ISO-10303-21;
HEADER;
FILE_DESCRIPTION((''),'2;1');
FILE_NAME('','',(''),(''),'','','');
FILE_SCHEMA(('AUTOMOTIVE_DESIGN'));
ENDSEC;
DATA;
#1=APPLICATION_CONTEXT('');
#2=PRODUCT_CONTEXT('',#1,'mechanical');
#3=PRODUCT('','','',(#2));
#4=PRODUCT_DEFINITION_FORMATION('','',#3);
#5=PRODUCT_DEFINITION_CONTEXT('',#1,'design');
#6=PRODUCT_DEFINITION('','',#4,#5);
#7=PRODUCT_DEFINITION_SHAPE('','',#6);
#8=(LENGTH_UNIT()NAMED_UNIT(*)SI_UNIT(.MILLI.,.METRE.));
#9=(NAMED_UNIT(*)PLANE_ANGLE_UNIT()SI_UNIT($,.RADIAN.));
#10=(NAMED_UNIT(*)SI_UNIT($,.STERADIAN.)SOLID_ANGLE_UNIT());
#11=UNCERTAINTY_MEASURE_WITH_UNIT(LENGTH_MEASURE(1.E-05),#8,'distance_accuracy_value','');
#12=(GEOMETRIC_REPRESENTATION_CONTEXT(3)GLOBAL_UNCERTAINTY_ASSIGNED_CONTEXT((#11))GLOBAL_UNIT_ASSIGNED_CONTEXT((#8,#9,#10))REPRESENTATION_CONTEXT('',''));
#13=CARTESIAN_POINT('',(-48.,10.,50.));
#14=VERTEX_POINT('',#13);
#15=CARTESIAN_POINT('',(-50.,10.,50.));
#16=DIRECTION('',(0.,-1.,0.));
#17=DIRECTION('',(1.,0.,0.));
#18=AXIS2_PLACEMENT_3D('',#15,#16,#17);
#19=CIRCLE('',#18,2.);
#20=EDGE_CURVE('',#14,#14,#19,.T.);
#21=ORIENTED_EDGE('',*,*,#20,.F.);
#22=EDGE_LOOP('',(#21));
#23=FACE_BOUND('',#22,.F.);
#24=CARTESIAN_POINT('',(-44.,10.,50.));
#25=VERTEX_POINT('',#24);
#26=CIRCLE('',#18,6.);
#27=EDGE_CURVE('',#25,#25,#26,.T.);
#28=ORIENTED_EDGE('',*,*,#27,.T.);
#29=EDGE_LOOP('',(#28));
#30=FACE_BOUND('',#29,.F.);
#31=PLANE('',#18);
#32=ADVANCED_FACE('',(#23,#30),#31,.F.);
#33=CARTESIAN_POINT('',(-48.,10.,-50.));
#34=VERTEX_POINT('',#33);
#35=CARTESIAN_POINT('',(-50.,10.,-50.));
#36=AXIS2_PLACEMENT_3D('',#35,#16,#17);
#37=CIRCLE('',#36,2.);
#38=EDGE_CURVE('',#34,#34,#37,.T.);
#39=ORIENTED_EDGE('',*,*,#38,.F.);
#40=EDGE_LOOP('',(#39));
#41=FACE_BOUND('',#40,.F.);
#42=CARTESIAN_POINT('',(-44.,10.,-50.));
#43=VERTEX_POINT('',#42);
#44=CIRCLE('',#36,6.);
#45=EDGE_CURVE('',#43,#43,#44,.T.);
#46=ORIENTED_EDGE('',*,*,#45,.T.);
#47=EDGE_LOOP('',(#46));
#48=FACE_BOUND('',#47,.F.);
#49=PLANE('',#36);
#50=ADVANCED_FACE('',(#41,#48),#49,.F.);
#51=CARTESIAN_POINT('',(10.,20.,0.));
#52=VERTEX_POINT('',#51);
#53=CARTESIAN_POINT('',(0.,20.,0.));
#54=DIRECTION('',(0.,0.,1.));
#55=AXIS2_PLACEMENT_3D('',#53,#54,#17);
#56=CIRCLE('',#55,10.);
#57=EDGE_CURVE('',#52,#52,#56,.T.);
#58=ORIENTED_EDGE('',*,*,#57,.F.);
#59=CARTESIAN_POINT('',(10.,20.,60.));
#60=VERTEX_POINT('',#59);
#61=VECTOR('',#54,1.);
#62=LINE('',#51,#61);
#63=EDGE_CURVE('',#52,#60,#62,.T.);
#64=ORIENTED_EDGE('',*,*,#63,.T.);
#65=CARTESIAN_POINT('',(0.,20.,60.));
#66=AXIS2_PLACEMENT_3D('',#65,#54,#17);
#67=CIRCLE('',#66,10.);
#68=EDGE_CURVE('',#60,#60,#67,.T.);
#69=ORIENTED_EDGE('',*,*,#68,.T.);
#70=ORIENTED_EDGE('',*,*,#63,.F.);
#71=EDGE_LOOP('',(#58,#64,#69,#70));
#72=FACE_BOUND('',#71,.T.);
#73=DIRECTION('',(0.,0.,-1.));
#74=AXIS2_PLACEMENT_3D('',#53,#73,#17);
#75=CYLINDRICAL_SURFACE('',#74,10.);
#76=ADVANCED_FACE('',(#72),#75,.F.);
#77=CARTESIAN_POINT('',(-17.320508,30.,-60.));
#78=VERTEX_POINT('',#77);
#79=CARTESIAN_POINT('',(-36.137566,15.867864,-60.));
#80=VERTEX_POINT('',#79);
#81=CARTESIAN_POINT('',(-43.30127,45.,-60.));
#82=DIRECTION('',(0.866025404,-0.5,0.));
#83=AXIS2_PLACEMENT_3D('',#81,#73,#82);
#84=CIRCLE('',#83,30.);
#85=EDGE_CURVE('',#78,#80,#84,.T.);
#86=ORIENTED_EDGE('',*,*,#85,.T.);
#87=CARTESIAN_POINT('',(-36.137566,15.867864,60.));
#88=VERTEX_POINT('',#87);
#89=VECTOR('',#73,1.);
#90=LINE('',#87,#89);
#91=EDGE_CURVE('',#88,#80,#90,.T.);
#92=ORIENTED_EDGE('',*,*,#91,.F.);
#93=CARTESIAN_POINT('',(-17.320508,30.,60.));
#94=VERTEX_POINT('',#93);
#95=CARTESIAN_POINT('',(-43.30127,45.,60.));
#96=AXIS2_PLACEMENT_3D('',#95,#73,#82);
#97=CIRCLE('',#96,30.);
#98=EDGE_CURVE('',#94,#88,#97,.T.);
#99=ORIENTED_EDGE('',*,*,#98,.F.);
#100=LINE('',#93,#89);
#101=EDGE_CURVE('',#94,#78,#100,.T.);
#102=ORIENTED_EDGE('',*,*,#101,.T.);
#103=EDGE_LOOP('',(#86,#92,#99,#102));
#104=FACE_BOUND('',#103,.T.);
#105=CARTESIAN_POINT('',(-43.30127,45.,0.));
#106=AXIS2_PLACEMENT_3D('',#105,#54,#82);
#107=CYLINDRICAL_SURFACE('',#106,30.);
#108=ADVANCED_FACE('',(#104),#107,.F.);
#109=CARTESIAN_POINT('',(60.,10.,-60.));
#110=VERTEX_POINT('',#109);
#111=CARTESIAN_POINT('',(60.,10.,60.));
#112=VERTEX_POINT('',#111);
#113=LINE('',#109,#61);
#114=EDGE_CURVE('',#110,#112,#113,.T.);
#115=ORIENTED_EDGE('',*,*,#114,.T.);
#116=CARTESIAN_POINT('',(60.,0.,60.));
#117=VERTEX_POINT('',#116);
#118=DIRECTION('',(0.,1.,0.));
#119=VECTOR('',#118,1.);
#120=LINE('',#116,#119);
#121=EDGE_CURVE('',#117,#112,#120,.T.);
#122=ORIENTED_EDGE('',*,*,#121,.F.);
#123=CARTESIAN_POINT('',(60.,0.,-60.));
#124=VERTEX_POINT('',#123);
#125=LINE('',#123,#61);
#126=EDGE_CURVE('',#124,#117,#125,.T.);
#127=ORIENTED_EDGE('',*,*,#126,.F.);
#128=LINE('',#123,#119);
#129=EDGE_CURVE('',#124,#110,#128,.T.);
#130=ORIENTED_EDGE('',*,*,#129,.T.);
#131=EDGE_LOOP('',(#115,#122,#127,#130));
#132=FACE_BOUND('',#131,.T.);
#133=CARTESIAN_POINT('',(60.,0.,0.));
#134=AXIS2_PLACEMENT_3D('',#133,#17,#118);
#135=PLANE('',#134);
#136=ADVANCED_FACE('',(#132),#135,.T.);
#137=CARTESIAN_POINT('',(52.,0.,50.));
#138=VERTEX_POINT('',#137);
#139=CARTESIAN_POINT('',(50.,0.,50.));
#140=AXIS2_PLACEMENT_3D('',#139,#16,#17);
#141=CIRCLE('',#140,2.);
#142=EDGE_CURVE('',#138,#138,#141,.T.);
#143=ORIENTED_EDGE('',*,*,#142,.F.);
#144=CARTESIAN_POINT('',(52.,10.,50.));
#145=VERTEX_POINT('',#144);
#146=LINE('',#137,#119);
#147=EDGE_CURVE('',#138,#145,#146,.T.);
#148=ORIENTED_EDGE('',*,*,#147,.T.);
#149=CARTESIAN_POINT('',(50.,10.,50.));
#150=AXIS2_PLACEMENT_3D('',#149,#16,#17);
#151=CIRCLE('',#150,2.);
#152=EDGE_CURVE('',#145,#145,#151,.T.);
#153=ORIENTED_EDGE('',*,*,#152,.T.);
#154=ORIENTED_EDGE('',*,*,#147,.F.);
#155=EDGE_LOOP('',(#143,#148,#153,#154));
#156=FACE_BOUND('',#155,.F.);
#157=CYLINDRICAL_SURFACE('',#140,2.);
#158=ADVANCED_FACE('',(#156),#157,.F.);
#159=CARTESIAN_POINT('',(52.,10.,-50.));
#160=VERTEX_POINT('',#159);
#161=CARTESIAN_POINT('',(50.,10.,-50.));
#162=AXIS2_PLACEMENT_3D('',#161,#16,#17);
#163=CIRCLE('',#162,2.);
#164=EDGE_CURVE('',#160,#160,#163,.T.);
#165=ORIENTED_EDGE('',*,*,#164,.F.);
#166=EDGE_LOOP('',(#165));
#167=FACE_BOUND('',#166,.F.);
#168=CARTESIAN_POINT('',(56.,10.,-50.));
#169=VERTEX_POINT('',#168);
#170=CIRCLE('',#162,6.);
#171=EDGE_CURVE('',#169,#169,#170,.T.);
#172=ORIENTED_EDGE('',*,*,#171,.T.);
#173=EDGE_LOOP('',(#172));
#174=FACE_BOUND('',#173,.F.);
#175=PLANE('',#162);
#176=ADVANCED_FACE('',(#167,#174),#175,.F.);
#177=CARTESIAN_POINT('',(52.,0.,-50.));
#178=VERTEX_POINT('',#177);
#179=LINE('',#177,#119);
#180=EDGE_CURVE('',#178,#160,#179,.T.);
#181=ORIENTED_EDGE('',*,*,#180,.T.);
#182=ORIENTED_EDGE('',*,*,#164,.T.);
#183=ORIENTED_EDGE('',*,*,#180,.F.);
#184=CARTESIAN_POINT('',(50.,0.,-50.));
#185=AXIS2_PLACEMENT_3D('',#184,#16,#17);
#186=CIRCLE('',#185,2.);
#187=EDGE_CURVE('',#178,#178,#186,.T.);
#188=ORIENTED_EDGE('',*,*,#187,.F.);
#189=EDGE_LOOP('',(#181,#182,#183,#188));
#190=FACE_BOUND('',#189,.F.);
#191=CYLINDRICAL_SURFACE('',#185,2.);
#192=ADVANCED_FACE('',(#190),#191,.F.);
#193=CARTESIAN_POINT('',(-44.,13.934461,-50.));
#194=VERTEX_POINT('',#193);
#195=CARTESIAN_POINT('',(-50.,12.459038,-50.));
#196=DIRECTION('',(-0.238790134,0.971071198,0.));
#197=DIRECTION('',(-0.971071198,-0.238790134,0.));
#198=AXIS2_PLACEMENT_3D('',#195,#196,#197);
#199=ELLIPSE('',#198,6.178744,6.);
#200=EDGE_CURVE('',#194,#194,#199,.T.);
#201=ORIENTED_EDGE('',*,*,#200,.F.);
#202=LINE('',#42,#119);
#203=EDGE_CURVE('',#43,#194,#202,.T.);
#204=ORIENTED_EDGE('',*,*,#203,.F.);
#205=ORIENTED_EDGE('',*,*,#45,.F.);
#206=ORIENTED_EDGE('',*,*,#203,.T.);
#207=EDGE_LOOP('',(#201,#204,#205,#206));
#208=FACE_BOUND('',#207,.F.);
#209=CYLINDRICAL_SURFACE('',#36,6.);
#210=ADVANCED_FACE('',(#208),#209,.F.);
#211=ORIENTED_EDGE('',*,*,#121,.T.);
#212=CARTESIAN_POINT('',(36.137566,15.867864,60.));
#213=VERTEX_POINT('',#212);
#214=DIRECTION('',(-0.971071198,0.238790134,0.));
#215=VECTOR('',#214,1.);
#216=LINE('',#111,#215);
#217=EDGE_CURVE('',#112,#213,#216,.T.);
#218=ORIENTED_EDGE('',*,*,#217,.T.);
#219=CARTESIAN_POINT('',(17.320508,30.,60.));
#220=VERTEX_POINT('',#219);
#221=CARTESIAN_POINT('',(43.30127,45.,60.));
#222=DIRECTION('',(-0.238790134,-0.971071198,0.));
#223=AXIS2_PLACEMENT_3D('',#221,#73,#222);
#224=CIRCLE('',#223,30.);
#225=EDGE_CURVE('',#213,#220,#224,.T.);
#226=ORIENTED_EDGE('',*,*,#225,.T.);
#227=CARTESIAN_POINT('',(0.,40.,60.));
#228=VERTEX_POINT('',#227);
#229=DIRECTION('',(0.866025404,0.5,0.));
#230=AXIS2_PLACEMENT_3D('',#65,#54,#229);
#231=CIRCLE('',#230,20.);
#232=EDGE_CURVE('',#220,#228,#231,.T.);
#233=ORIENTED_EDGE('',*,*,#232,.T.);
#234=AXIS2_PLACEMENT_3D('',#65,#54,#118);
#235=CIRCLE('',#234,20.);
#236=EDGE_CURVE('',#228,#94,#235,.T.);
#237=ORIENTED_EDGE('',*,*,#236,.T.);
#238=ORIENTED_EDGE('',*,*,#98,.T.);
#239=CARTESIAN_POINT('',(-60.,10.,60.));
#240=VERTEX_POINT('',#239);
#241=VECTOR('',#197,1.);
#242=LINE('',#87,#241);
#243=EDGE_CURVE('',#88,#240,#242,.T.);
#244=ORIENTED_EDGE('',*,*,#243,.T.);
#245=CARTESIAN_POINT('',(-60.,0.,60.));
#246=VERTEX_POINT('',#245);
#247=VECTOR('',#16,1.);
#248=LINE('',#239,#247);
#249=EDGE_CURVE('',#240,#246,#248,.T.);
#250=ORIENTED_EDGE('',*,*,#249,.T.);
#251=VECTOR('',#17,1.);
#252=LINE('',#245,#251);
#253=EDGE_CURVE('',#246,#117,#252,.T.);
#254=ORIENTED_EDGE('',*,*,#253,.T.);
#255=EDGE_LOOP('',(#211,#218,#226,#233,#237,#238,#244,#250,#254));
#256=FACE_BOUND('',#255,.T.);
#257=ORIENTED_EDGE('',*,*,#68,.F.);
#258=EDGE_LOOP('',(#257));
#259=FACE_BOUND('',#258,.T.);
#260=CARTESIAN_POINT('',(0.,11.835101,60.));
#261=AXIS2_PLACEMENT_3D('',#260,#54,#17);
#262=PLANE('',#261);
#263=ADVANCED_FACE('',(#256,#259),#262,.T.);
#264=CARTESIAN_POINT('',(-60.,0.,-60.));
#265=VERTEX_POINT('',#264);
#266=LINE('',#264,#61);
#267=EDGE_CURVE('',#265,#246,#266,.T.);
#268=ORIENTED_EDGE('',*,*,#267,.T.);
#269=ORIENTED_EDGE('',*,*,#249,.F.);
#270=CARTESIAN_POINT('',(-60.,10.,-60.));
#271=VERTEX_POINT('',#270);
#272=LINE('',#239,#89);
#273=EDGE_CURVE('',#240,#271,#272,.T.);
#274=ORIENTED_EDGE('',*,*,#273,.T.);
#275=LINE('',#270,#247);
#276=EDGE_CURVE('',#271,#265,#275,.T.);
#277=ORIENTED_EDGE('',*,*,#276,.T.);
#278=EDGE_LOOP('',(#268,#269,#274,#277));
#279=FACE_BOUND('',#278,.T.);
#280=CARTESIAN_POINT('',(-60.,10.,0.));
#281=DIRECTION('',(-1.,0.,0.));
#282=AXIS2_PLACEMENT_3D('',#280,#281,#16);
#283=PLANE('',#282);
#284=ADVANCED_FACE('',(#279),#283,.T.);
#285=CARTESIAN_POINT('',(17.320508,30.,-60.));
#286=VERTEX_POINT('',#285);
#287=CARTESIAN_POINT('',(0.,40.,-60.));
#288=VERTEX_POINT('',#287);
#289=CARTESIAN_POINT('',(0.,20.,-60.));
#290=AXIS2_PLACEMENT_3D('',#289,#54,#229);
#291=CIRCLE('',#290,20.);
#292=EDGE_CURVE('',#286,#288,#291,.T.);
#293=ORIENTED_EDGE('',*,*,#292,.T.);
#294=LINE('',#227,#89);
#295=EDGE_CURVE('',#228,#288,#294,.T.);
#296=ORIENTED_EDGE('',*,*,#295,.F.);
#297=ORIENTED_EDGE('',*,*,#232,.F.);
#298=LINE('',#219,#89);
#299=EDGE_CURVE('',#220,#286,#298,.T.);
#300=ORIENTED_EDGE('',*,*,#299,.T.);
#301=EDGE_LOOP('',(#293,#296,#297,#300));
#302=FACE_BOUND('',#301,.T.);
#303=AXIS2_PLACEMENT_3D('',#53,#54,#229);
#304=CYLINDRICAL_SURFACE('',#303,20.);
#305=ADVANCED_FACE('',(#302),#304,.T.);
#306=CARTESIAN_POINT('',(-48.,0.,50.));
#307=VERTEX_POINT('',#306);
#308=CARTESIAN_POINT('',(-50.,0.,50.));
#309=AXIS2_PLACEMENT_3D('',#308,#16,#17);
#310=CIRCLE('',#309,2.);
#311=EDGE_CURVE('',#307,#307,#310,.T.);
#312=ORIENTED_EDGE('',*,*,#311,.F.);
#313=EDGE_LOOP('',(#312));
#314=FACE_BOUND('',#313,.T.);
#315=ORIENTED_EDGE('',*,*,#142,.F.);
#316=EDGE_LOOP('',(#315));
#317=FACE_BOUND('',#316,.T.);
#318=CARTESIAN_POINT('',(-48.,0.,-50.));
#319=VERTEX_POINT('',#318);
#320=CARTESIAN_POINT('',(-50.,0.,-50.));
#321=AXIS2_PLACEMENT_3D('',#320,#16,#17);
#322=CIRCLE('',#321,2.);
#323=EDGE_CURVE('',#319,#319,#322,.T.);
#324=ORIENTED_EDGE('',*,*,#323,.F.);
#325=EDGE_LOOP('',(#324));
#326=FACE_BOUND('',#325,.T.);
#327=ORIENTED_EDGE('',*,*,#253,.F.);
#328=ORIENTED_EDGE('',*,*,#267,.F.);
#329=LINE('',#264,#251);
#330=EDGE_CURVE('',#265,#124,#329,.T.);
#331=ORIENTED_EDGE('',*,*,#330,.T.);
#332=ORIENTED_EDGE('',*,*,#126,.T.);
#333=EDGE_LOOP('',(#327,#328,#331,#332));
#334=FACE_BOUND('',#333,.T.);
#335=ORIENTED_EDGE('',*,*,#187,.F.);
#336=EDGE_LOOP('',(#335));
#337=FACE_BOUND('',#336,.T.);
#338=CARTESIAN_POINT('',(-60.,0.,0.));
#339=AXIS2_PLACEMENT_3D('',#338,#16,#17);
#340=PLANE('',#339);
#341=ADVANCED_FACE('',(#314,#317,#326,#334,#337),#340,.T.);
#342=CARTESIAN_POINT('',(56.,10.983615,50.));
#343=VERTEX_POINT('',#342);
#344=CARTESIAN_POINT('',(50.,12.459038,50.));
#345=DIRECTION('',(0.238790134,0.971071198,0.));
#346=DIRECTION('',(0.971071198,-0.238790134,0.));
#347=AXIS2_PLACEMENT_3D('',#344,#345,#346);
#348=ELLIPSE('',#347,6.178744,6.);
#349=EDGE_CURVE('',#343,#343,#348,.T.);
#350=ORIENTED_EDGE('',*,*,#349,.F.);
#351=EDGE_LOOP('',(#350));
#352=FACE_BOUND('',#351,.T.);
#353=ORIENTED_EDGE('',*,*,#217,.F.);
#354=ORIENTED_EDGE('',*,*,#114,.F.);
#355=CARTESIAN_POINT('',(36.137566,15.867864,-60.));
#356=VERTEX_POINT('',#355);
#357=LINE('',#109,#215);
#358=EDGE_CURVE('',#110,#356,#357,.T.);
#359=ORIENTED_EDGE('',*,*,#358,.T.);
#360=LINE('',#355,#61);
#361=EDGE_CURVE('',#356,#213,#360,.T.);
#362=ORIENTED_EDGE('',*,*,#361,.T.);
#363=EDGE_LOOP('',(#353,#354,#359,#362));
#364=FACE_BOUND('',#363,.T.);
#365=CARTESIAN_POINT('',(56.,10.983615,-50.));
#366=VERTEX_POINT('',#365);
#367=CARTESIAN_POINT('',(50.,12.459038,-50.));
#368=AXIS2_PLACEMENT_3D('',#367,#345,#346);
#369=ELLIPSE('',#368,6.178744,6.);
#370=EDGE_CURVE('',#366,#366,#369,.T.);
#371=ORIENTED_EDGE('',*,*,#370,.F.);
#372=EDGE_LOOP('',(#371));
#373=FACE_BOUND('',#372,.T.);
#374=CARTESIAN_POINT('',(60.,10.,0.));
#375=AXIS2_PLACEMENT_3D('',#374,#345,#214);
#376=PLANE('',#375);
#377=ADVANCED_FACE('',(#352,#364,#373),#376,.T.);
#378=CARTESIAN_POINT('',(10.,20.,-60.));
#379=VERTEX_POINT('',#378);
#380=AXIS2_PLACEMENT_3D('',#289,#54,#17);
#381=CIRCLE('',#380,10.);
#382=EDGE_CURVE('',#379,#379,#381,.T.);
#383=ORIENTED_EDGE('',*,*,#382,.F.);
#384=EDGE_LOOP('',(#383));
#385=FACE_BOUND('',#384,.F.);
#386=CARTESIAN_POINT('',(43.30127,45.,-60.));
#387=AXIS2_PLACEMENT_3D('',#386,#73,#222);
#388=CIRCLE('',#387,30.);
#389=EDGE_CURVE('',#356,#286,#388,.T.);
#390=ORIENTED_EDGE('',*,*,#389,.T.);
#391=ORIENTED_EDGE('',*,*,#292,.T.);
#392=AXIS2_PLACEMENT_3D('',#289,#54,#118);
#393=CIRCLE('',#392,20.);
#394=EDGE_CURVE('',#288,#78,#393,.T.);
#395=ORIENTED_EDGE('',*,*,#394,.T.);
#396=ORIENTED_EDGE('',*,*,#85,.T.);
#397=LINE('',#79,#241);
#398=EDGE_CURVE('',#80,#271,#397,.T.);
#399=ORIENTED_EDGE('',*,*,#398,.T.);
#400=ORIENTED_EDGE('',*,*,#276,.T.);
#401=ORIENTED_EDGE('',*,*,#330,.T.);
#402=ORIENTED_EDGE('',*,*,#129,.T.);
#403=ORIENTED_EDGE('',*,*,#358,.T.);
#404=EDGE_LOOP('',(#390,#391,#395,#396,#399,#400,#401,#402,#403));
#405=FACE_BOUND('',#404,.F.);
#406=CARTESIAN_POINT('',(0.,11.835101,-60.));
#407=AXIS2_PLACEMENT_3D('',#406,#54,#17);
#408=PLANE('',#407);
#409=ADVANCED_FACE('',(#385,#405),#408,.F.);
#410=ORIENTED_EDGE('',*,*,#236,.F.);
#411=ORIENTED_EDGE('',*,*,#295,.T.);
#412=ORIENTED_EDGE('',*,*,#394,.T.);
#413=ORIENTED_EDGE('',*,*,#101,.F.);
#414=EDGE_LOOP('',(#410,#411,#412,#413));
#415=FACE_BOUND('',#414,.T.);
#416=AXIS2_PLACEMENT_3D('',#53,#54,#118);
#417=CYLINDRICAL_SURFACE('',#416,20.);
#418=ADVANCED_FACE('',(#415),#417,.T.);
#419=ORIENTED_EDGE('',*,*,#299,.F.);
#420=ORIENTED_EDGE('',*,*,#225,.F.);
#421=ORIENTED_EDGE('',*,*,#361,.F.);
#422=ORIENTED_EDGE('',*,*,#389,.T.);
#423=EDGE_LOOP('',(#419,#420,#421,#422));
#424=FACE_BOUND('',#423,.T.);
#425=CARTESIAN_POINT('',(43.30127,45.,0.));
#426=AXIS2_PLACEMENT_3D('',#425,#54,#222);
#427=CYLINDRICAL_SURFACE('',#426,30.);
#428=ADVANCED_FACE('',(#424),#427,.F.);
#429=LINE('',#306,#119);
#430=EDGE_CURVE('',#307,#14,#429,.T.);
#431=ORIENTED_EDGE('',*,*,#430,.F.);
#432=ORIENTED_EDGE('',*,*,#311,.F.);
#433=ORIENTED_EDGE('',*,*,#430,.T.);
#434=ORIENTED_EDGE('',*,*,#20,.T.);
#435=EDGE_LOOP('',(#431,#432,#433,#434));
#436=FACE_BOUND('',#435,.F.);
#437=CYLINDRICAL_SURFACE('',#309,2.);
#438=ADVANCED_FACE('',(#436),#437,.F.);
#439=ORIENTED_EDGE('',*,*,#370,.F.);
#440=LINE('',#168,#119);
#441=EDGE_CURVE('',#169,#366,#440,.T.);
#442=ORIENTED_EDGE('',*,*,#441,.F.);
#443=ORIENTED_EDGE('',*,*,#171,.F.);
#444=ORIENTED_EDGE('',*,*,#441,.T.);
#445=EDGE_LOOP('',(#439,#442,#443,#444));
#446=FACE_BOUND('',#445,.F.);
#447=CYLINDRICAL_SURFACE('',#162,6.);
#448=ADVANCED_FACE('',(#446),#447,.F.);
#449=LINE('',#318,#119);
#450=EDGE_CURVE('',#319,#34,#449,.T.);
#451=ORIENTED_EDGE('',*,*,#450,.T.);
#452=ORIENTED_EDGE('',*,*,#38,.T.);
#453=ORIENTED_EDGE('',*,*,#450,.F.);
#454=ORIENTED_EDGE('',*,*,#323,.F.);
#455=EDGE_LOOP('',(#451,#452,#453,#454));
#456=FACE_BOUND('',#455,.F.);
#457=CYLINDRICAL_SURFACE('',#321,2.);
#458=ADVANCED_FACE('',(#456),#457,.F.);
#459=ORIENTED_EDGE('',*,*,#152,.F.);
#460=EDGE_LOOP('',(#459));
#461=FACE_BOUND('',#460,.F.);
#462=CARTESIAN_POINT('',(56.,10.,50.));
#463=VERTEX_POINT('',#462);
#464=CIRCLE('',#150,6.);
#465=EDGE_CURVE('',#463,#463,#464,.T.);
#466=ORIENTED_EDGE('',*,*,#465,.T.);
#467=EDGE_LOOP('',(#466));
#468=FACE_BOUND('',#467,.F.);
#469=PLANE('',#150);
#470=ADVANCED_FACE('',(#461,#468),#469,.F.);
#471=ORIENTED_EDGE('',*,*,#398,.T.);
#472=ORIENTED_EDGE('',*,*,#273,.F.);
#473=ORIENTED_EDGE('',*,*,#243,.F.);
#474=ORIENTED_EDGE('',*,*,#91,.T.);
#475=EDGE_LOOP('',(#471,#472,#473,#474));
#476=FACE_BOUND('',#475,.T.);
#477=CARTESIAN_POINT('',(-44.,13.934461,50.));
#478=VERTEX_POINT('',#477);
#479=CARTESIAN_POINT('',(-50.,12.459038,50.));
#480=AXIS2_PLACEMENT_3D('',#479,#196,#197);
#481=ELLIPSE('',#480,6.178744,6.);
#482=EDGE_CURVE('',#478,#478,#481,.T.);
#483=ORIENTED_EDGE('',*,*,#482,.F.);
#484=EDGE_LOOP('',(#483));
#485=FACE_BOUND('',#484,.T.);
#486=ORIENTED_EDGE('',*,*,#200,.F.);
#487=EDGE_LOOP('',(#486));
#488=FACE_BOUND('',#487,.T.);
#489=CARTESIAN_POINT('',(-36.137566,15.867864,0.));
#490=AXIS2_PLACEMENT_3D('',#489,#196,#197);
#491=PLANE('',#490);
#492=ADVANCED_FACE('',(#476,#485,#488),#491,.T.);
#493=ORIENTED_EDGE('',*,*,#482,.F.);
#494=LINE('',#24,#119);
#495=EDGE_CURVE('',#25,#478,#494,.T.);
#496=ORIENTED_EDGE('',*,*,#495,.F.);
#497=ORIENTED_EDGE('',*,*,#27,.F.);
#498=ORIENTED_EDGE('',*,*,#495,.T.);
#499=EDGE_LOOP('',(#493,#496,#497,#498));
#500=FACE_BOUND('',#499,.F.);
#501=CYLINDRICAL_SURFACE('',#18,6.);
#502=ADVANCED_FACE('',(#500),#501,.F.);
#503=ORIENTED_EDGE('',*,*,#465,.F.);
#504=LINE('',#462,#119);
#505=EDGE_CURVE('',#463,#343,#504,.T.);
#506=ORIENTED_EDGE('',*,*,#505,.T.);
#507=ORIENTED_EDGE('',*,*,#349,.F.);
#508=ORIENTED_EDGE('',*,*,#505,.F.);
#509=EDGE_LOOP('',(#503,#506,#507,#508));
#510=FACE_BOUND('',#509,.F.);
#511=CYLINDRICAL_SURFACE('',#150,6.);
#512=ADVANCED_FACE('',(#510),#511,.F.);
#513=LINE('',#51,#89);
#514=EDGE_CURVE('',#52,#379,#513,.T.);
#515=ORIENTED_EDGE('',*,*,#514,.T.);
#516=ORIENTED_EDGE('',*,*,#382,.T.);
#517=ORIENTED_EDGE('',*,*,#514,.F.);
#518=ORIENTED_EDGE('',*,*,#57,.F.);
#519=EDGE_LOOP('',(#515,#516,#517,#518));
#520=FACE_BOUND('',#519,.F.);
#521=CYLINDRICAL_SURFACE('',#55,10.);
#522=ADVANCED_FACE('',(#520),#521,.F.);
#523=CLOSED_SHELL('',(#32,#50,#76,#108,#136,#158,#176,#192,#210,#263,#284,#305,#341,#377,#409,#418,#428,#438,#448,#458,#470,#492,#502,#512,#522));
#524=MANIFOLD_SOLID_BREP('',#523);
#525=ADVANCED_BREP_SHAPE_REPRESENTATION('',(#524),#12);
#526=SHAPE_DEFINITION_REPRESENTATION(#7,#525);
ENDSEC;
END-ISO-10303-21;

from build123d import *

# Parameters (mm, degrees)
F0_R          = 10
F1_DEPTH      = 60
F1_DEPTH_BACK = 60
F2_R          = 2
F3_DEPTH      = 25
F5_START      = -10
F4_R          = 6
F5_DEPTH      = 15


with BuildPart() as f1:
    # F0 (on Top) → F1 (new body, two sides)
    with BuildSketch(Plane.XY) as f1_sk:
        with BuildLine():
            Line((-60, 10), (-60, 0))
            Line((-60, 0), (0, 0))
            Line((0, 0), (60, 0))
            Line((60, 0), (60, 10))
            Line((60, 10), (36.1375661614, 15.867864057))
            ThreePointArc((36.1375661614, 15.867864057), (25.2854930612, 21.0118409528), (17.3205080757, 30))
            ThreePointArc((17.3205080757, 30), (10, 37.3205080757), (0, 40))
            ThreePointArc((0, 40), (-10, 37.3205080757), (-17.3205080757, 30))
            ThreePointArc((-17.3205080757, 30), (-25.2854930612, 21.0118409528), (-36.1375661614, 15.867864057))
            Line((-36.1375661614, 15.867864057), (-60, 10))
        make_face()
        with Locations((0, 20)):
            Circle(F0_R, mode=Mode.SUBTRACT)
    extrude(amount=F1_DEPTH)
    extrude(f1_sk.sketch, amount=-F1_DEPTH_BACK)

    # F2 (on face) → F3 (cut)
    with BuildSketch(Plane.XZ):
        with Locations((-50, 50)):
            Circle(F2_R)
        with Locations((50, 50)):
            Circle(F2_R)
        with Locations((-50, -50)):
            Circle(F2_R)
        with Locations((50, -50)):
            Circle(F2_R)
    extrude(amount=-F3_DEPTH, mode=Mode.SUBTRACT)

    # F4 (on face) → F5 (cut)
    with BuildSketch(Plane.XZ.offset(F5_START)):
        with Locations((-50, 50)):
            Circle(F4_R)
        with Locations((50, -50)):
            Circle(F4_R)
        with Locations((-50, -50)):
            Circle(F4_R)
        with Locations((50, 50)):
            Circle(F4_R)
    extrude(amount=-F5_DEPTH, mode=Mode.SUBTRACT)


solid = f1.part
